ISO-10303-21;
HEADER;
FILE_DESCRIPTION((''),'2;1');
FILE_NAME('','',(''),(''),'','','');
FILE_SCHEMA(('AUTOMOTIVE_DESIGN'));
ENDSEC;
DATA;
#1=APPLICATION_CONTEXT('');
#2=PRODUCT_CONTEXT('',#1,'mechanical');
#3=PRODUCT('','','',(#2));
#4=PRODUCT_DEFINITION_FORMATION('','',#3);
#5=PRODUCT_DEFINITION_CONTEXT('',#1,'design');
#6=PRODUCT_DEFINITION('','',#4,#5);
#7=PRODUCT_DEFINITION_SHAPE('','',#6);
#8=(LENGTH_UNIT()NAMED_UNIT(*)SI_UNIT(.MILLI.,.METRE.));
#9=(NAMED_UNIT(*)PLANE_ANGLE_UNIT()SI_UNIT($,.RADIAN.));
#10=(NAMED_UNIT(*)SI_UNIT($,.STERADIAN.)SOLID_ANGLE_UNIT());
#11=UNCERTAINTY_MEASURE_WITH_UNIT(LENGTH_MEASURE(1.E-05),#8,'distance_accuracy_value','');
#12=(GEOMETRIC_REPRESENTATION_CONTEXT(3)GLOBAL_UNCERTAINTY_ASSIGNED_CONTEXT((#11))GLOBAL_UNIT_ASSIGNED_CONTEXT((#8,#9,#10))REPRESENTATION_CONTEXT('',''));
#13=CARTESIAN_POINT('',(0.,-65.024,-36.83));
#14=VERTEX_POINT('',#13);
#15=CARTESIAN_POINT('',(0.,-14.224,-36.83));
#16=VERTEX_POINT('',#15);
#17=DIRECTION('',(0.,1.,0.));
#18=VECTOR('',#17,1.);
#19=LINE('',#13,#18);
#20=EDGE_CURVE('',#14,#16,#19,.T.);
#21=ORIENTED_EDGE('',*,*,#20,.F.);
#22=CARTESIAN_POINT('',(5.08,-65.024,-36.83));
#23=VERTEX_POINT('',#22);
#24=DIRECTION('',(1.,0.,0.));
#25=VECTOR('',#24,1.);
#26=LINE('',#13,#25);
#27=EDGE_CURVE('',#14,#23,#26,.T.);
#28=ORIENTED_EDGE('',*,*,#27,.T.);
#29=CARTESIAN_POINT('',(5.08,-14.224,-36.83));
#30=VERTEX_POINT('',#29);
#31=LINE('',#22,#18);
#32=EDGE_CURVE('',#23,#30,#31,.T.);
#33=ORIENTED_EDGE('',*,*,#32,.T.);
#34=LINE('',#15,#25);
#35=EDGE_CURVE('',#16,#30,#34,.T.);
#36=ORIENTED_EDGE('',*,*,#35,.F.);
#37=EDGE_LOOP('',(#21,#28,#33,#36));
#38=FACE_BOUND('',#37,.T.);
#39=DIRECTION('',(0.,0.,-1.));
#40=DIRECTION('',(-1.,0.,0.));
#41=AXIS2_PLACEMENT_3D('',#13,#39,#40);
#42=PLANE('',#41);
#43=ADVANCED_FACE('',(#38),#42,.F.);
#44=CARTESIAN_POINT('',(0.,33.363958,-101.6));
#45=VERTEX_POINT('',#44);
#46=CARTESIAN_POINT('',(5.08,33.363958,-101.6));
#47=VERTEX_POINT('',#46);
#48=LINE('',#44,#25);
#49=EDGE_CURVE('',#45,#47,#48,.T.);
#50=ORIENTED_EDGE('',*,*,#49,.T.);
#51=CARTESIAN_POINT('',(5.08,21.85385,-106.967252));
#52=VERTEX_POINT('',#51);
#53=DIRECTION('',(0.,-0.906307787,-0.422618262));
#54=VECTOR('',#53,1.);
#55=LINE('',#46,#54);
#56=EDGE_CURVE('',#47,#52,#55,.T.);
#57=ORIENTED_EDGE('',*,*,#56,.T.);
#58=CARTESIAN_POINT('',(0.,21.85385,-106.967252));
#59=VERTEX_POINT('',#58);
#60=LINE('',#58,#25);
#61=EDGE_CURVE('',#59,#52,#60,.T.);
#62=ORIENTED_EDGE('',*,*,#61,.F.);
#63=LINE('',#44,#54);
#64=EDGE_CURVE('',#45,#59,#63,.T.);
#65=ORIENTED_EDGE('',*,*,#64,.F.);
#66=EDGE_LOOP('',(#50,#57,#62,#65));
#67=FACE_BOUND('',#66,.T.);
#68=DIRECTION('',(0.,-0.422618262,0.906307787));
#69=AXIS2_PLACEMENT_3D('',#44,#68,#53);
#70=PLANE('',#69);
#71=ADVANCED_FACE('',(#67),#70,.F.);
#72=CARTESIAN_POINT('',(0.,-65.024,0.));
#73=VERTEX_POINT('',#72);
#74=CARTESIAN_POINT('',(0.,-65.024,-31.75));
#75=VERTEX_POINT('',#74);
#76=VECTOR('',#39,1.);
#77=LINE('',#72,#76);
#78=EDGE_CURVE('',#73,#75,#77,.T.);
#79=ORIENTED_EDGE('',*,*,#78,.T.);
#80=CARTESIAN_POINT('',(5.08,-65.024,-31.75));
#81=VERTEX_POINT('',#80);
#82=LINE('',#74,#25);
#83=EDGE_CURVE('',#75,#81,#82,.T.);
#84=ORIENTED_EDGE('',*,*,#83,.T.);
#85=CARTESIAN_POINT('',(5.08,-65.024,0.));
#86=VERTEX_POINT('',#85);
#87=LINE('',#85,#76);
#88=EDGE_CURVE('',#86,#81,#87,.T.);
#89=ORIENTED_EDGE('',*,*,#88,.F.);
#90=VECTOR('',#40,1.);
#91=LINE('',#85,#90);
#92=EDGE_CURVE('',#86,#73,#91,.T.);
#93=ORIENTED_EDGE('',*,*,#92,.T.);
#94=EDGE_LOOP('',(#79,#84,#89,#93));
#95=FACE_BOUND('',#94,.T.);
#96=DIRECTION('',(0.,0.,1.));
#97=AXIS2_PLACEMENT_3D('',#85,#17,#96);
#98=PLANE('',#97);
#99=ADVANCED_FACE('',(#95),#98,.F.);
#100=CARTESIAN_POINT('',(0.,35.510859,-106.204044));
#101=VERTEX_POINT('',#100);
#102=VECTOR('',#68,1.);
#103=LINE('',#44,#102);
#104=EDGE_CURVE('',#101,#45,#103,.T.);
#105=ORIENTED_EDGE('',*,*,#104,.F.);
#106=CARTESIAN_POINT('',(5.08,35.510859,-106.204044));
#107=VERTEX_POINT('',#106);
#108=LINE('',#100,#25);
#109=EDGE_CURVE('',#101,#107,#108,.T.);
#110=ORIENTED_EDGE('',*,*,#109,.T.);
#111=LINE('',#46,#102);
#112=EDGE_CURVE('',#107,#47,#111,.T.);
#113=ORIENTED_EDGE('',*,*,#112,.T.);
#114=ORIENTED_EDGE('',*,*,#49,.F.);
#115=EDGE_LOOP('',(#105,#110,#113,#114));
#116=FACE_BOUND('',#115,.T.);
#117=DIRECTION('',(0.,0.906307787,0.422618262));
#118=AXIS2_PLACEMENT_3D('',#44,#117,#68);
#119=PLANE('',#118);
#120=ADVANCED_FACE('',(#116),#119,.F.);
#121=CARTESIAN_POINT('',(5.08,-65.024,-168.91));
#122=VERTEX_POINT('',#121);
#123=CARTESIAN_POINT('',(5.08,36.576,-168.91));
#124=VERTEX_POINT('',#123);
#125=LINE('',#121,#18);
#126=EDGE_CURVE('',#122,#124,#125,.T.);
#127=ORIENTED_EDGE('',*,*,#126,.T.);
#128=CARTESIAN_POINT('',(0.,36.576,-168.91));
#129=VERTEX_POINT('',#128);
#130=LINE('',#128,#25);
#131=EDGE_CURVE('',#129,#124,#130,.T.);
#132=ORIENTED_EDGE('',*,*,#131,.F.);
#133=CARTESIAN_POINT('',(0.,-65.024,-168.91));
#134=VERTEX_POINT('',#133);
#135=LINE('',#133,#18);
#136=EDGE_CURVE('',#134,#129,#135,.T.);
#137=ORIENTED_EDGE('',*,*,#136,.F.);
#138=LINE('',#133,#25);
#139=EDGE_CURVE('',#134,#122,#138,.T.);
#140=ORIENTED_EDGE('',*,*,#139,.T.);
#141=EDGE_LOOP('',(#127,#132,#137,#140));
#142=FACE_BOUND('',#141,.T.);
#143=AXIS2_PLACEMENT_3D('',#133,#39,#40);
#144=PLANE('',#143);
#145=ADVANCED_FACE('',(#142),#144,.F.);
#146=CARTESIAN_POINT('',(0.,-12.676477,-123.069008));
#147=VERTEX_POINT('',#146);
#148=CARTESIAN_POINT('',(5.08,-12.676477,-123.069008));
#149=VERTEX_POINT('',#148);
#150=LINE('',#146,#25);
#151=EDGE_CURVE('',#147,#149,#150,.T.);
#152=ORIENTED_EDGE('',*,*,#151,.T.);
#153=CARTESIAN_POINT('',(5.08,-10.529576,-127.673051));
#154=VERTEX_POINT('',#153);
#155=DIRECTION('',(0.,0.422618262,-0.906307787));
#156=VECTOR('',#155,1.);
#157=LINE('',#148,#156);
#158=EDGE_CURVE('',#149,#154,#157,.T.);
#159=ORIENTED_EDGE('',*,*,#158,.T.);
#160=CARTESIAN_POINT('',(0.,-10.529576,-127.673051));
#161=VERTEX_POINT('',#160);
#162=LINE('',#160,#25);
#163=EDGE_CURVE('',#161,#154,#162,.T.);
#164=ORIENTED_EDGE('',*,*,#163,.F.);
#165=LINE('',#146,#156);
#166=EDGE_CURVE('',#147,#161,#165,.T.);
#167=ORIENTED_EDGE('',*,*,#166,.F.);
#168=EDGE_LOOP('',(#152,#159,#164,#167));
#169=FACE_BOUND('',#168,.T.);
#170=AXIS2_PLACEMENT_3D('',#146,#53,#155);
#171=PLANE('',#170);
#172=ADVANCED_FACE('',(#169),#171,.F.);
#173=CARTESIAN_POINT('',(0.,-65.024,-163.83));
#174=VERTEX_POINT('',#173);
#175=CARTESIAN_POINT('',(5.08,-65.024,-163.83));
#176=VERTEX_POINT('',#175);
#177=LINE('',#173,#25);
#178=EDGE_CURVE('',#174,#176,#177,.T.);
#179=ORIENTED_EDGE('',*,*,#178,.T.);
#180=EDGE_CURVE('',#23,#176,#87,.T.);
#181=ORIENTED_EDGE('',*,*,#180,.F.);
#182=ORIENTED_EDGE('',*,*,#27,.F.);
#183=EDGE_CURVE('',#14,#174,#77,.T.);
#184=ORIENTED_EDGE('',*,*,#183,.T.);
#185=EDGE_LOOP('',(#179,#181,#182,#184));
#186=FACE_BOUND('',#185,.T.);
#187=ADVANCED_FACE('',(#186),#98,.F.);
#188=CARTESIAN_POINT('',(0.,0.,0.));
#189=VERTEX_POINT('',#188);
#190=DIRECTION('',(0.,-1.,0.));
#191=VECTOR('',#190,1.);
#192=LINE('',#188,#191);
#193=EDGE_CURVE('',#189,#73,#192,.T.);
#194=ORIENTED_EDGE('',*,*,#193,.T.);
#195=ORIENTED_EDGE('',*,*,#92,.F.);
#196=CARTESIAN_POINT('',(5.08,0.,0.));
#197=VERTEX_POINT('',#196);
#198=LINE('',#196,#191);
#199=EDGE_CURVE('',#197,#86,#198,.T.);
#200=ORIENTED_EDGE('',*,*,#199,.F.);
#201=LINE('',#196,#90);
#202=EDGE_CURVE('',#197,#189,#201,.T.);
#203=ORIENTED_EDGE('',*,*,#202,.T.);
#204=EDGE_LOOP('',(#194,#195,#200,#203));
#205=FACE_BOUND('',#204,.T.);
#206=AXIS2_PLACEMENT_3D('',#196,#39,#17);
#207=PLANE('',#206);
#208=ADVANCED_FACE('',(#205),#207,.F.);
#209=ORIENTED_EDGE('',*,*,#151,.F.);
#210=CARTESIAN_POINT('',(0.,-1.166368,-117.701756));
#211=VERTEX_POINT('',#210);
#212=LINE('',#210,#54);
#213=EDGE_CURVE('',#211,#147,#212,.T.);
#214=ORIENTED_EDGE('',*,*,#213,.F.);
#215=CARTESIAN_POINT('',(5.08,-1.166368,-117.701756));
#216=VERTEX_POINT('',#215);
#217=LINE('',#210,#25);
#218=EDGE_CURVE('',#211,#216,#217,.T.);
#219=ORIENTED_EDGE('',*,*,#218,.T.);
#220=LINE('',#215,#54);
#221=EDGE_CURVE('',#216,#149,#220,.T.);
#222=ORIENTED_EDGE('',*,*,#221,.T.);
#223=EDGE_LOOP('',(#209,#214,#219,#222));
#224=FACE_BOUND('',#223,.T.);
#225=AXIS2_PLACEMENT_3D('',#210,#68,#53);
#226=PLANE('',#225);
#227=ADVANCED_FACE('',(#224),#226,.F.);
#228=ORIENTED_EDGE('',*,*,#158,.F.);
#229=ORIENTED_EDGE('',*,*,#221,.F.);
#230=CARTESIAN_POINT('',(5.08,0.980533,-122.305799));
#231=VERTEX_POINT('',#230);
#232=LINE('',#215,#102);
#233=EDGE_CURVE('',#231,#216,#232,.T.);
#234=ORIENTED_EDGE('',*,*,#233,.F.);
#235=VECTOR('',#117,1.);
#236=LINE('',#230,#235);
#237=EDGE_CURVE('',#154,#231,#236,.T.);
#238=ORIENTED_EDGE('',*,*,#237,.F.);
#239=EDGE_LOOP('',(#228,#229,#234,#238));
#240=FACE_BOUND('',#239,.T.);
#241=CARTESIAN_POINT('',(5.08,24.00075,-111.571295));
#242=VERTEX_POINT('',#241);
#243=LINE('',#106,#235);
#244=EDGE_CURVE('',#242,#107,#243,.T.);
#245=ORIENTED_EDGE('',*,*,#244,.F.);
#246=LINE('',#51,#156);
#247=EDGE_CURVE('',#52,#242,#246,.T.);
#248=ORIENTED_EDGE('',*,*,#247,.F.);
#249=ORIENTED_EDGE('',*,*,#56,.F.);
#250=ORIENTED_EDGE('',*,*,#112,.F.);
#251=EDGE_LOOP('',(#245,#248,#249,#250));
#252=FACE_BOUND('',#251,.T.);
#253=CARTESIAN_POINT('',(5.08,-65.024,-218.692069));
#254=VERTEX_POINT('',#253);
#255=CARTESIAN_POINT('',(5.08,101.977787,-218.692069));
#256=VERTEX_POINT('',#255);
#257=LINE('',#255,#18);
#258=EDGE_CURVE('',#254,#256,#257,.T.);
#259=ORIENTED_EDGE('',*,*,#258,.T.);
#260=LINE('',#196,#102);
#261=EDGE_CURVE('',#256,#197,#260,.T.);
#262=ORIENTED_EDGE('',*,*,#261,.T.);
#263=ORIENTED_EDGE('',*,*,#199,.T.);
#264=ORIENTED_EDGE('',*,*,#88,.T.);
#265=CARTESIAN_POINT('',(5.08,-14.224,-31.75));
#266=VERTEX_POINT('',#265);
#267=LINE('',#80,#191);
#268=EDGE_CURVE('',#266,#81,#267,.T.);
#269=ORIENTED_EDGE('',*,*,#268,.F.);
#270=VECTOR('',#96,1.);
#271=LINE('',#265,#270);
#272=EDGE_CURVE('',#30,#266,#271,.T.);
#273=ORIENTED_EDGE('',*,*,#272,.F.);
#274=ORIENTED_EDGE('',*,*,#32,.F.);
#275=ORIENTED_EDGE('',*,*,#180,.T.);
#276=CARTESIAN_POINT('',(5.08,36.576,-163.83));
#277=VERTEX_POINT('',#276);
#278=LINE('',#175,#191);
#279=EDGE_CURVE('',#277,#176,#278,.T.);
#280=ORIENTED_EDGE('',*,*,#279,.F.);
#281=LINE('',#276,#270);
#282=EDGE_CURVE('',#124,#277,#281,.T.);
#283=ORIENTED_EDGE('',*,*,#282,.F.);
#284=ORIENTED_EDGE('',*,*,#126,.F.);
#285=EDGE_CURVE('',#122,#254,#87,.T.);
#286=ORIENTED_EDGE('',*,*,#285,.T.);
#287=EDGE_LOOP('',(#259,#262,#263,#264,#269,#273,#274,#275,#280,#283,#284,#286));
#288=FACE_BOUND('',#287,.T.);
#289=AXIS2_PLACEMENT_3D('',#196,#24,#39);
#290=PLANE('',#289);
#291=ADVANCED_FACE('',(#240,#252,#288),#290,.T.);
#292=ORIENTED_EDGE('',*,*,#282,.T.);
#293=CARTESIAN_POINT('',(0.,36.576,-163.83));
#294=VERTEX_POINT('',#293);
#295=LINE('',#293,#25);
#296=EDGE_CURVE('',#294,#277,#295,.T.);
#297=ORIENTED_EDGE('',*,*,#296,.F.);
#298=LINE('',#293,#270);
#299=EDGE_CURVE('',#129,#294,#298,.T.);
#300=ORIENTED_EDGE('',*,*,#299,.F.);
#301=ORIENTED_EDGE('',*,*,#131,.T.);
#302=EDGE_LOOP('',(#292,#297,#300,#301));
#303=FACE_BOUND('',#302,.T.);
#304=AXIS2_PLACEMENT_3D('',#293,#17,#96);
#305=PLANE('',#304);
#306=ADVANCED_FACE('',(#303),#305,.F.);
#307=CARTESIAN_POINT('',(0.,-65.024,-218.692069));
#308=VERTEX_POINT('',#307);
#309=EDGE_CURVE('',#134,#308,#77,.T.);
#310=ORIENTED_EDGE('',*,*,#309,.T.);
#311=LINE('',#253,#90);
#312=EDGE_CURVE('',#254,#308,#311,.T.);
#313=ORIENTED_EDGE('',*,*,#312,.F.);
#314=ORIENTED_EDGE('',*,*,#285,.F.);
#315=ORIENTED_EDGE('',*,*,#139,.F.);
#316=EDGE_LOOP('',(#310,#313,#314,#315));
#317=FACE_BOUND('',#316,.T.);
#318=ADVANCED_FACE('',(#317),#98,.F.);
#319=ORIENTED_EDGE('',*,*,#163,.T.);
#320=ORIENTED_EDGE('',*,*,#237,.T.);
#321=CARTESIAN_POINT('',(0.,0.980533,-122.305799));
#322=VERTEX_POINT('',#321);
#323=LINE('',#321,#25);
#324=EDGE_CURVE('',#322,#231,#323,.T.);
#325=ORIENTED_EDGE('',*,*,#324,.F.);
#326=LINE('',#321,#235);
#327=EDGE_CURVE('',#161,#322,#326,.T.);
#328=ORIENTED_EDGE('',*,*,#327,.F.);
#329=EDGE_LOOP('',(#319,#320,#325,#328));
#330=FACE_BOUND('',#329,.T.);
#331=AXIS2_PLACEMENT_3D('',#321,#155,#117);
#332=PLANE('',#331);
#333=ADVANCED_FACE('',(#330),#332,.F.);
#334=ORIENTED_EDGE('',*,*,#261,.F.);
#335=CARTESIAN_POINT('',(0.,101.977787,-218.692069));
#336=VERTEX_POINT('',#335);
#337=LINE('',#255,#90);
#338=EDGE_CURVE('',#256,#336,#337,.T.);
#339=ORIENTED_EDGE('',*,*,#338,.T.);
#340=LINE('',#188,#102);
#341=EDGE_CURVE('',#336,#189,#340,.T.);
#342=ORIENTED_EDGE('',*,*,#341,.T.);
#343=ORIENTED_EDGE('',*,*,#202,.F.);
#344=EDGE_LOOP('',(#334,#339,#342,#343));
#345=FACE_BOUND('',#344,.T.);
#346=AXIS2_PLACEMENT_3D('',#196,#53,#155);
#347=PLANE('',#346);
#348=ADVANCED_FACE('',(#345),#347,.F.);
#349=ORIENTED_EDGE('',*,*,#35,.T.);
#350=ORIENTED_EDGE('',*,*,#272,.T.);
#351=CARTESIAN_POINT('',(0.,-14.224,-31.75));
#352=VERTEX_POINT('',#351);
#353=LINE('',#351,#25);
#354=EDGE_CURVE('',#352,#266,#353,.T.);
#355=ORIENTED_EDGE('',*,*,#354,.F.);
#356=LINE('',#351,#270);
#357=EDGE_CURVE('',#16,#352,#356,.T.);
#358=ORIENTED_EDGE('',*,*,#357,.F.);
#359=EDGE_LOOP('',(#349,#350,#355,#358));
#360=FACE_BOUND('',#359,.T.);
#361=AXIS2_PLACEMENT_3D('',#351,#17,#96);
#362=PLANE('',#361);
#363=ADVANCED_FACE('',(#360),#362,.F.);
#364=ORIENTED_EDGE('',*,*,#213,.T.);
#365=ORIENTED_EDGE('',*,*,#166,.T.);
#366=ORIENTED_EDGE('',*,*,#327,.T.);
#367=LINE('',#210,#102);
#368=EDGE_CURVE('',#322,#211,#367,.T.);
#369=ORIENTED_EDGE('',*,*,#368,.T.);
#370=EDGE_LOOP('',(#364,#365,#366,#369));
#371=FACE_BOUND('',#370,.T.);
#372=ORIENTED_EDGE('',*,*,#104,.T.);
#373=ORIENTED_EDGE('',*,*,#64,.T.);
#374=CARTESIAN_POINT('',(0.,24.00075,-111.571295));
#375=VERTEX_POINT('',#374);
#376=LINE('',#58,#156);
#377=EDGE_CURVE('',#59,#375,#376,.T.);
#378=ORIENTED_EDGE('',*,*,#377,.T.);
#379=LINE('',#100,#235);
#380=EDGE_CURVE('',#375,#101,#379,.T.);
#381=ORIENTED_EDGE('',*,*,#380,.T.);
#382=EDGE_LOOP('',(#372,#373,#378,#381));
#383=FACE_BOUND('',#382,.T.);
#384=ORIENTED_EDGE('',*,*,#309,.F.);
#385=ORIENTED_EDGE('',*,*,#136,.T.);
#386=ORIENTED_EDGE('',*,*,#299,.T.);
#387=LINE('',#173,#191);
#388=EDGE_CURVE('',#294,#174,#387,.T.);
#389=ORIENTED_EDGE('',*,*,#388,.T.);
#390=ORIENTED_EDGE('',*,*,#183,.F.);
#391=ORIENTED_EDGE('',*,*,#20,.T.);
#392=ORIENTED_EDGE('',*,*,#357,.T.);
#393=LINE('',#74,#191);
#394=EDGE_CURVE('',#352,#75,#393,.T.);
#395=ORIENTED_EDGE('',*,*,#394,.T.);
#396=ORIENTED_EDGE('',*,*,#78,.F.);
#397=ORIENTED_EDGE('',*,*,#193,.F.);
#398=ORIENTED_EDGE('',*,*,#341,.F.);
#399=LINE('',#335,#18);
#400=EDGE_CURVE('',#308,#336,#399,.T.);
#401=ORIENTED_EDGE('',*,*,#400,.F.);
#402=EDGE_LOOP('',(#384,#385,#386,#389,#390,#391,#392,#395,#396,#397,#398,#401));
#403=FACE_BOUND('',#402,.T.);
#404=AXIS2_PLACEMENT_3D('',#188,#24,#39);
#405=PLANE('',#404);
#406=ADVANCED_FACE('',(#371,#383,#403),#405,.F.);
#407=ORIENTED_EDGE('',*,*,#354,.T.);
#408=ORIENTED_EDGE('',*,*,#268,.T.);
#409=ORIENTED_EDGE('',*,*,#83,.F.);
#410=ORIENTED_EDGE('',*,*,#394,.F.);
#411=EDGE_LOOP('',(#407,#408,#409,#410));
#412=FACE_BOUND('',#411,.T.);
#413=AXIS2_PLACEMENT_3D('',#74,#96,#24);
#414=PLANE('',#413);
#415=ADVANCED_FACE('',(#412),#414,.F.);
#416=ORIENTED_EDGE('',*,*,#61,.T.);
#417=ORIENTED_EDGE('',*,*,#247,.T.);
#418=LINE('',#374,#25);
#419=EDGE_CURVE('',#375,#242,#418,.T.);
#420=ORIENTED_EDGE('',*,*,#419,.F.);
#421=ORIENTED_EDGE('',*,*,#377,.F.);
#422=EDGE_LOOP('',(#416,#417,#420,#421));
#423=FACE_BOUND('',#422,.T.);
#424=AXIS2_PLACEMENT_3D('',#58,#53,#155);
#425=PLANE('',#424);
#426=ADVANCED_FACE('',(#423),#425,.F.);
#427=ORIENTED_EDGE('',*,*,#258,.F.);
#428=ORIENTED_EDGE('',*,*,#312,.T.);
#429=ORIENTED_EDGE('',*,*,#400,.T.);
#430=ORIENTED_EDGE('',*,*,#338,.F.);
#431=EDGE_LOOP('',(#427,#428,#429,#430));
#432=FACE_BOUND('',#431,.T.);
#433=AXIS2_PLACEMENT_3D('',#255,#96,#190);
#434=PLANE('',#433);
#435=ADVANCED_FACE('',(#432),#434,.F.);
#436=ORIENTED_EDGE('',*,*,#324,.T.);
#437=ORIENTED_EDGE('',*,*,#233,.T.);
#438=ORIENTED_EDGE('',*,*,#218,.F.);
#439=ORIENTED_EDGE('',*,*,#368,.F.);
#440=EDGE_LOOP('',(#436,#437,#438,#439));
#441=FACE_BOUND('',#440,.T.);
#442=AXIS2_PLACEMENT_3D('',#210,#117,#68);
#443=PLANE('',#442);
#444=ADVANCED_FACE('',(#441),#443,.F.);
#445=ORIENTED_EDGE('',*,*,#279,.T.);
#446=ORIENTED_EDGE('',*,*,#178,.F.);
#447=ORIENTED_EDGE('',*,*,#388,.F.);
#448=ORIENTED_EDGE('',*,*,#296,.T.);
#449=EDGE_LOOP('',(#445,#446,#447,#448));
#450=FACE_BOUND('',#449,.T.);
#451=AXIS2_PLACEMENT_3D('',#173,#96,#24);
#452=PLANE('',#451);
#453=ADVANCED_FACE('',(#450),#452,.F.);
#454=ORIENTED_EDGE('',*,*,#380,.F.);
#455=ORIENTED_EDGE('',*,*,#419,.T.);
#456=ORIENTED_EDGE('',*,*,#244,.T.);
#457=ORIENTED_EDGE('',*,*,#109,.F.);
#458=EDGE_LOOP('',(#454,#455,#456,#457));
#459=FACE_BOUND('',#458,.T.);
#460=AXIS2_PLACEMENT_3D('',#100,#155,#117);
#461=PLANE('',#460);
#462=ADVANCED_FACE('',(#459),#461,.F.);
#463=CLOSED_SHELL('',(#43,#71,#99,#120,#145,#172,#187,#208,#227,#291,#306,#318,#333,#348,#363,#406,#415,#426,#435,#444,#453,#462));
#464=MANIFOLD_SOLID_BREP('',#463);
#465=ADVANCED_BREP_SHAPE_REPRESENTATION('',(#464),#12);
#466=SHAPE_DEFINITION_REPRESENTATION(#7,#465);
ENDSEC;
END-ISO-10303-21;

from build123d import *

# Parameters (mm, degrees)
BOSS_EXTRUDE1_DEPTH = 5.08
CUT_EXTRUDE1_DEPTH  = 6.08
LPATTERN1_COUNT     = 2
LPATTERN1_PITCH     = 38.1
SKETCH3_W           = 5.08
SKETCH3_H           = 50.8
SKETCH3_H_2         = 101.6
CUT_EXTRUDE2_DEPTH  = 6.08


with BuildPart() as part:
    # Sketch1 → Boss-Extrude1 (new body)
    with BuildSketch(Plane(origin=(0, 0, 0), x_dir=(0, 0, -1), z_dir=(1, 0, 0))):
        Polygon((0, 0), (218.692069012, 101.977786558), (218.692069012, -65.024), (0, -65.024), align=None)
    extrude(amount=BOSS_EXTRUDE1_DEPTH)

    # Sketch2 → Cut-Extrude1 (cut, through all)
    with BuildSketch(Plane(origin=(5.08, 0, 0), x_dir=(0, 0, -1), z_dir=(1, 0, 0))):
        Polygon((101.6, 33.363958498), (106.204043558, 35.510859267), (111.571295482, 24.000750372), (106.967251924, 21.853849602), align=None)
    cut_extrude1 = extrude(amount=-CUT_EXTRUDE1_DEPTH, mode=Mode.SUBTRACT)

    # LPattern1: Cut-Extrude1 ×2
    with Locations(*[Vector(0, -0.906307787, -0.422618262) * (i * LPATTERN1_PITCH) for i in range(1, LPATTERN1_COUNT)]):
        add(cut_extrude1, mode=Mode.SUBTRACT)

    # Sketch3 → Cut-Extrude2 (cut, through all)
    with BuildSketch(Plane(origin=(5.08, 0, 0), x_dir=(0, 0, -1), z_dir=(1, 0, 0))):
        with Locations((34.29, -39.624)):
            Rectangle(SKETCH3_W, SKETCH3_H)
        with Locations((166.37, -14.224)):
            Rectangle(SKETCH3_W, SKETCH3_H_2)
    extrude(amount=-CUT_EXTRUDE2_DEPTH, mode=Mode.SUBTRACT)


solid = part.part
